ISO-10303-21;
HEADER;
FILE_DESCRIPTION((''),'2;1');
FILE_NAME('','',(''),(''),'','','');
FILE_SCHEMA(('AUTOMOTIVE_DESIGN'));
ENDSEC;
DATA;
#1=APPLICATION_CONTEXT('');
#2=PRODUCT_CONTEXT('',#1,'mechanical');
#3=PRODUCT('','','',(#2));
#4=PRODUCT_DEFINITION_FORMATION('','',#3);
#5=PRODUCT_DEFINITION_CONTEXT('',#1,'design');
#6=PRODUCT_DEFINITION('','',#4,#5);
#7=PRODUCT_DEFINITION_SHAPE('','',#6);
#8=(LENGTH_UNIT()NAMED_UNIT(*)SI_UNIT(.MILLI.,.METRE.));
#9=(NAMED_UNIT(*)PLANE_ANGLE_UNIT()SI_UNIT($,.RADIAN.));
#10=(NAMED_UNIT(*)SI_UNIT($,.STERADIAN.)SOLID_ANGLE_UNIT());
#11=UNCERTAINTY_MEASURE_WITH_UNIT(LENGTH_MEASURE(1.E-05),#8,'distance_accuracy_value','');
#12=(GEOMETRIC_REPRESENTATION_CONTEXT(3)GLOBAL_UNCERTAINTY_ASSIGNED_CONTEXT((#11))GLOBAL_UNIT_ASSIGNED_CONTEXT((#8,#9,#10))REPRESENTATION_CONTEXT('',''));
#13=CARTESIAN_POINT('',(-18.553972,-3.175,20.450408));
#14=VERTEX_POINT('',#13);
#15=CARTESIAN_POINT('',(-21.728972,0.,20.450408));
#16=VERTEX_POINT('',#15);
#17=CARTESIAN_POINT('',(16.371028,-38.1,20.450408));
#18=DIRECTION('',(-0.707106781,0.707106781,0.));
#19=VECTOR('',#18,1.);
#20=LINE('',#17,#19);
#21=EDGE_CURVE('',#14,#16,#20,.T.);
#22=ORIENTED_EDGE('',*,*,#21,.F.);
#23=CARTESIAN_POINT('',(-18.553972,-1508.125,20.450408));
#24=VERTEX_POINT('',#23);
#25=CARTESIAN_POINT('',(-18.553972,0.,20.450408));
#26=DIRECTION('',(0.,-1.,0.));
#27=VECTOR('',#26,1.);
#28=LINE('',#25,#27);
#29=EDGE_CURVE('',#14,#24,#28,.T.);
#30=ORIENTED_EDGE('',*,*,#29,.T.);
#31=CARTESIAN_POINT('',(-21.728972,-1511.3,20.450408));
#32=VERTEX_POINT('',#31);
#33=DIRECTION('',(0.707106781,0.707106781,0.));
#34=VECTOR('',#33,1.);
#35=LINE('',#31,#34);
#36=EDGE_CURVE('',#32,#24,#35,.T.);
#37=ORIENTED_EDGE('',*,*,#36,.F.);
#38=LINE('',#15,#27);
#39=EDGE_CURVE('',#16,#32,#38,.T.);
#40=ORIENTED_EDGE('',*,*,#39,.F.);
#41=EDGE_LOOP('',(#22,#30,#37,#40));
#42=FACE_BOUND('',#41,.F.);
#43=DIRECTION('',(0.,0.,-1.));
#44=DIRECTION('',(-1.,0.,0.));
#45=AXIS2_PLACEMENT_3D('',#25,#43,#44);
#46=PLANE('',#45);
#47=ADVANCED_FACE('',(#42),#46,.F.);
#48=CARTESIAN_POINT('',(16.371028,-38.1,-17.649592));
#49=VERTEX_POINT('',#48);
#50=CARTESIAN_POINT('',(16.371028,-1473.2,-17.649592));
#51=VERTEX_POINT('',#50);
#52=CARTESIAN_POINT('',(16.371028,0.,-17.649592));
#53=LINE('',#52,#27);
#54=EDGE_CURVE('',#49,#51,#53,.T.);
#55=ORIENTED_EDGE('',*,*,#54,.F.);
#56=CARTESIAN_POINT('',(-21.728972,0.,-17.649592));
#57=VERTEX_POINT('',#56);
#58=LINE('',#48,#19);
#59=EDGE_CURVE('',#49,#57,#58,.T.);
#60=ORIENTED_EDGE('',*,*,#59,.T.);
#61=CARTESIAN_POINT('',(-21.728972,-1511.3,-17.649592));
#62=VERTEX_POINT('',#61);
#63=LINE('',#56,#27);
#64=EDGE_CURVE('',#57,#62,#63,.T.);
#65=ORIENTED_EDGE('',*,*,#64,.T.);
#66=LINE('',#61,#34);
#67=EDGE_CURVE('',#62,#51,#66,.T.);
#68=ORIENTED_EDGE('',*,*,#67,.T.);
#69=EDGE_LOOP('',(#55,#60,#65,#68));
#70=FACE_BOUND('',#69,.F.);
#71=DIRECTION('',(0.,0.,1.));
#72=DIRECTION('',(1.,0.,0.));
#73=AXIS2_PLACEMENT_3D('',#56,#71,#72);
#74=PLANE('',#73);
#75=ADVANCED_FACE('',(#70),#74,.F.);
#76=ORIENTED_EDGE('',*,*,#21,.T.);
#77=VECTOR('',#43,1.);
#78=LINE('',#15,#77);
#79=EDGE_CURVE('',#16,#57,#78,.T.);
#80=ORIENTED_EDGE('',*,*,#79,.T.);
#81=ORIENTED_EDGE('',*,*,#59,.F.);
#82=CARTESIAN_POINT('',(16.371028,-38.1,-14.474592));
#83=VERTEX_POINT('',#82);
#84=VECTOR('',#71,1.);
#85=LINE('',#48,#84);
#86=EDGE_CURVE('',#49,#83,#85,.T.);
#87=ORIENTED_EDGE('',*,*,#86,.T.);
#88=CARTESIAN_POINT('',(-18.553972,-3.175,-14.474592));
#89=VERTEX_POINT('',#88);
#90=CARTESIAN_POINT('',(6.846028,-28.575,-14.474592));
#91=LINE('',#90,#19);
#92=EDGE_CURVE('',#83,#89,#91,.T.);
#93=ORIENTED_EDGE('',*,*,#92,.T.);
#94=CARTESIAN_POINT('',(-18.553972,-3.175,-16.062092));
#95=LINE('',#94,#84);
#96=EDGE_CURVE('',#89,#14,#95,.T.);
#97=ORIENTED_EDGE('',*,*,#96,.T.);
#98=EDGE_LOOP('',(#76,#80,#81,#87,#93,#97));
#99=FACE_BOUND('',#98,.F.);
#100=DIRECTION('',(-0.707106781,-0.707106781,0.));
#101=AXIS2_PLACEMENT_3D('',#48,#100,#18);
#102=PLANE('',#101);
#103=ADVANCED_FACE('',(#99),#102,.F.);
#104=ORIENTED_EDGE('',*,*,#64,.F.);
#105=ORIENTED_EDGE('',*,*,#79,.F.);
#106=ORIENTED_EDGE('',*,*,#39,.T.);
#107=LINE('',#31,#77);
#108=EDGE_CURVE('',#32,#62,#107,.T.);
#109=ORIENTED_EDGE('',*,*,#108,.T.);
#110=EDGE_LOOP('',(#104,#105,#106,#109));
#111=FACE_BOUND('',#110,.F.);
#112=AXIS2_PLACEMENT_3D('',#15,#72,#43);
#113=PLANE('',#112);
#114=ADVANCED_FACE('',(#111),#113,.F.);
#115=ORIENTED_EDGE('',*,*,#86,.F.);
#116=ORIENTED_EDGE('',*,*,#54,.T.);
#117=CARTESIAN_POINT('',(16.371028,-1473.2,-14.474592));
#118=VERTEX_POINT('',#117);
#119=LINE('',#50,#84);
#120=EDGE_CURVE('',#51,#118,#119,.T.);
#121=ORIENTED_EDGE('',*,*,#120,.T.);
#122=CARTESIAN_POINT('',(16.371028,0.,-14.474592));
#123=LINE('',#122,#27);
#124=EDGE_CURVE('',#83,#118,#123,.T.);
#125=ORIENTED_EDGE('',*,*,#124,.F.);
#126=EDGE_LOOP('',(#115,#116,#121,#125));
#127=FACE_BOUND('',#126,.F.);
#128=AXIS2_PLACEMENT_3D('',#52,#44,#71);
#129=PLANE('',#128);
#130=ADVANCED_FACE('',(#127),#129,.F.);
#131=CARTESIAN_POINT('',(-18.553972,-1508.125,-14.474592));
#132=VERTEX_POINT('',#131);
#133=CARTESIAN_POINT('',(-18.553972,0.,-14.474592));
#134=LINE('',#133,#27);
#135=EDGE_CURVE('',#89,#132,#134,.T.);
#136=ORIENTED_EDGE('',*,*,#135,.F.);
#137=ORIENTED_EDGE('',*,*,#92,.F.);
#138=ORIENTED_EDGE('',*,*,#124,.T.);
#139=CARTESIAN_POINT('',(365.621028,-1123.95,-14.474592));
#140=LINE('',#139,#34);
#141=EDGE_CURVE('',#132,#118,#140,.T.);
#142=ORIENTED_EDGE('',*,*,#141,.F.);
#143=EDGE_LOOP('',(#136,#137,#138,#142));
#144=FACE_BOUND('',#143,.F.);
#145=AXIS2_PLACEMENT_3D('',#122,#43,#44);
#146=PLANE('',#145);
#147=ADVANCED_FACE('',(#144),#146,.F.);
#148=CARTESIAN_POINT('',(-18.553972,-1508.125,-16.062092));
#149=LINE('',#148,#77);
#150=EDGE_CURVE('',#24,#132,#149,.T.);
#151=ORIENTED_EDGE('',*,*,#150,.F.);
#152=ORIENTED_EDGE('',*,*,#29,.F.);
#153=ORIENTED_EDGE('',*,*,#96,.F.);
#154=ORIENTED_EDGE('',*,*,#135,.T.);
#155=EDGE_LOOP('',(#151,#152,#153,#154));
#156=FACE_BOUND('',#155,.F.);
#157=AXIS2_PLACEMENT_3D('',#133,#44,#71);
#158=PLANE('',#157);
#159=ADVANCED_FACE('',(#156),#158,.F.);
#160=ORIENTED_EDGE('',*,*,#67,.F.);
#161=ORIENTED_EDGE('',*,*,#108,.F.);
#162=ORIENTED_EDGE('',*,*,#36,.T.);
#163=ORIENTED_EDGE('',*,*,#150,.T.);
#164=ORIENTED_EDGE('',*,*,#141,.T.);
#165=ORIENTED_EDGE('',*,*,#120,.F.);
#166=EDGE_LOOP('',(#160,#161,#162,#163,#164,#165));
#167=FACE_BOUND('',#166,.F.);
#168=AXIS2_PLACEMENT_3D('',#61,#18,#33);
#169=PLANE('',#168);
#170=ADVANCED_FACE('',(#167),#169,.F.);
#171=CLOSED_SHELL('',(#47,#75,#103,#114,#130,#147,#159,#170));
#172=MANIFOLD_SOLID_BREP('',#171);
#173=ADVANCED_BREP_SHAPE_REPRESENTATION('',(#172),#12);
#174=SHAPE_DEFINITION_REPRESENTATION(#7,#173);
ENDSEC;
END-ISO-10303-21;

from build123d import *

# Parameters (mm, degrees)
F1_DEPTH = 1511.3
F3_DEPTH = 38.1


with BuildPart() as f1:
    # F0 (on Front) → F1 (new body)
    with BuildSketch(Plane.XZ):
        Polygon((-18.553972, 20.450408), (-21.728972, 20.450408), (-21.728972, -17.649592), (16.371028, -17.649592), (16.371028, -14.474592), (-18.553972, -14.474592), align=None)
    extrude(amount=F1_DEPTH)

    # F2 (on face) → F3 (cut)
    with BuildSketch(Plane(origin=(0, 0, -17.649592), x_dir=(1, 0, 0), z_dir=(0, 0, -1))):
        Polygon((16.371028, 1511.3), (-21.728972, 1511.3), (16.371028, 1473.2), align=None)
        Polygon((16.371028, 38.1), (-21.728972, 0), (16.371028, 0), align=None)
    extrude(amount=-F3_DEPTH, mode=Mode.SUBTRACT)


solid = f1.part
